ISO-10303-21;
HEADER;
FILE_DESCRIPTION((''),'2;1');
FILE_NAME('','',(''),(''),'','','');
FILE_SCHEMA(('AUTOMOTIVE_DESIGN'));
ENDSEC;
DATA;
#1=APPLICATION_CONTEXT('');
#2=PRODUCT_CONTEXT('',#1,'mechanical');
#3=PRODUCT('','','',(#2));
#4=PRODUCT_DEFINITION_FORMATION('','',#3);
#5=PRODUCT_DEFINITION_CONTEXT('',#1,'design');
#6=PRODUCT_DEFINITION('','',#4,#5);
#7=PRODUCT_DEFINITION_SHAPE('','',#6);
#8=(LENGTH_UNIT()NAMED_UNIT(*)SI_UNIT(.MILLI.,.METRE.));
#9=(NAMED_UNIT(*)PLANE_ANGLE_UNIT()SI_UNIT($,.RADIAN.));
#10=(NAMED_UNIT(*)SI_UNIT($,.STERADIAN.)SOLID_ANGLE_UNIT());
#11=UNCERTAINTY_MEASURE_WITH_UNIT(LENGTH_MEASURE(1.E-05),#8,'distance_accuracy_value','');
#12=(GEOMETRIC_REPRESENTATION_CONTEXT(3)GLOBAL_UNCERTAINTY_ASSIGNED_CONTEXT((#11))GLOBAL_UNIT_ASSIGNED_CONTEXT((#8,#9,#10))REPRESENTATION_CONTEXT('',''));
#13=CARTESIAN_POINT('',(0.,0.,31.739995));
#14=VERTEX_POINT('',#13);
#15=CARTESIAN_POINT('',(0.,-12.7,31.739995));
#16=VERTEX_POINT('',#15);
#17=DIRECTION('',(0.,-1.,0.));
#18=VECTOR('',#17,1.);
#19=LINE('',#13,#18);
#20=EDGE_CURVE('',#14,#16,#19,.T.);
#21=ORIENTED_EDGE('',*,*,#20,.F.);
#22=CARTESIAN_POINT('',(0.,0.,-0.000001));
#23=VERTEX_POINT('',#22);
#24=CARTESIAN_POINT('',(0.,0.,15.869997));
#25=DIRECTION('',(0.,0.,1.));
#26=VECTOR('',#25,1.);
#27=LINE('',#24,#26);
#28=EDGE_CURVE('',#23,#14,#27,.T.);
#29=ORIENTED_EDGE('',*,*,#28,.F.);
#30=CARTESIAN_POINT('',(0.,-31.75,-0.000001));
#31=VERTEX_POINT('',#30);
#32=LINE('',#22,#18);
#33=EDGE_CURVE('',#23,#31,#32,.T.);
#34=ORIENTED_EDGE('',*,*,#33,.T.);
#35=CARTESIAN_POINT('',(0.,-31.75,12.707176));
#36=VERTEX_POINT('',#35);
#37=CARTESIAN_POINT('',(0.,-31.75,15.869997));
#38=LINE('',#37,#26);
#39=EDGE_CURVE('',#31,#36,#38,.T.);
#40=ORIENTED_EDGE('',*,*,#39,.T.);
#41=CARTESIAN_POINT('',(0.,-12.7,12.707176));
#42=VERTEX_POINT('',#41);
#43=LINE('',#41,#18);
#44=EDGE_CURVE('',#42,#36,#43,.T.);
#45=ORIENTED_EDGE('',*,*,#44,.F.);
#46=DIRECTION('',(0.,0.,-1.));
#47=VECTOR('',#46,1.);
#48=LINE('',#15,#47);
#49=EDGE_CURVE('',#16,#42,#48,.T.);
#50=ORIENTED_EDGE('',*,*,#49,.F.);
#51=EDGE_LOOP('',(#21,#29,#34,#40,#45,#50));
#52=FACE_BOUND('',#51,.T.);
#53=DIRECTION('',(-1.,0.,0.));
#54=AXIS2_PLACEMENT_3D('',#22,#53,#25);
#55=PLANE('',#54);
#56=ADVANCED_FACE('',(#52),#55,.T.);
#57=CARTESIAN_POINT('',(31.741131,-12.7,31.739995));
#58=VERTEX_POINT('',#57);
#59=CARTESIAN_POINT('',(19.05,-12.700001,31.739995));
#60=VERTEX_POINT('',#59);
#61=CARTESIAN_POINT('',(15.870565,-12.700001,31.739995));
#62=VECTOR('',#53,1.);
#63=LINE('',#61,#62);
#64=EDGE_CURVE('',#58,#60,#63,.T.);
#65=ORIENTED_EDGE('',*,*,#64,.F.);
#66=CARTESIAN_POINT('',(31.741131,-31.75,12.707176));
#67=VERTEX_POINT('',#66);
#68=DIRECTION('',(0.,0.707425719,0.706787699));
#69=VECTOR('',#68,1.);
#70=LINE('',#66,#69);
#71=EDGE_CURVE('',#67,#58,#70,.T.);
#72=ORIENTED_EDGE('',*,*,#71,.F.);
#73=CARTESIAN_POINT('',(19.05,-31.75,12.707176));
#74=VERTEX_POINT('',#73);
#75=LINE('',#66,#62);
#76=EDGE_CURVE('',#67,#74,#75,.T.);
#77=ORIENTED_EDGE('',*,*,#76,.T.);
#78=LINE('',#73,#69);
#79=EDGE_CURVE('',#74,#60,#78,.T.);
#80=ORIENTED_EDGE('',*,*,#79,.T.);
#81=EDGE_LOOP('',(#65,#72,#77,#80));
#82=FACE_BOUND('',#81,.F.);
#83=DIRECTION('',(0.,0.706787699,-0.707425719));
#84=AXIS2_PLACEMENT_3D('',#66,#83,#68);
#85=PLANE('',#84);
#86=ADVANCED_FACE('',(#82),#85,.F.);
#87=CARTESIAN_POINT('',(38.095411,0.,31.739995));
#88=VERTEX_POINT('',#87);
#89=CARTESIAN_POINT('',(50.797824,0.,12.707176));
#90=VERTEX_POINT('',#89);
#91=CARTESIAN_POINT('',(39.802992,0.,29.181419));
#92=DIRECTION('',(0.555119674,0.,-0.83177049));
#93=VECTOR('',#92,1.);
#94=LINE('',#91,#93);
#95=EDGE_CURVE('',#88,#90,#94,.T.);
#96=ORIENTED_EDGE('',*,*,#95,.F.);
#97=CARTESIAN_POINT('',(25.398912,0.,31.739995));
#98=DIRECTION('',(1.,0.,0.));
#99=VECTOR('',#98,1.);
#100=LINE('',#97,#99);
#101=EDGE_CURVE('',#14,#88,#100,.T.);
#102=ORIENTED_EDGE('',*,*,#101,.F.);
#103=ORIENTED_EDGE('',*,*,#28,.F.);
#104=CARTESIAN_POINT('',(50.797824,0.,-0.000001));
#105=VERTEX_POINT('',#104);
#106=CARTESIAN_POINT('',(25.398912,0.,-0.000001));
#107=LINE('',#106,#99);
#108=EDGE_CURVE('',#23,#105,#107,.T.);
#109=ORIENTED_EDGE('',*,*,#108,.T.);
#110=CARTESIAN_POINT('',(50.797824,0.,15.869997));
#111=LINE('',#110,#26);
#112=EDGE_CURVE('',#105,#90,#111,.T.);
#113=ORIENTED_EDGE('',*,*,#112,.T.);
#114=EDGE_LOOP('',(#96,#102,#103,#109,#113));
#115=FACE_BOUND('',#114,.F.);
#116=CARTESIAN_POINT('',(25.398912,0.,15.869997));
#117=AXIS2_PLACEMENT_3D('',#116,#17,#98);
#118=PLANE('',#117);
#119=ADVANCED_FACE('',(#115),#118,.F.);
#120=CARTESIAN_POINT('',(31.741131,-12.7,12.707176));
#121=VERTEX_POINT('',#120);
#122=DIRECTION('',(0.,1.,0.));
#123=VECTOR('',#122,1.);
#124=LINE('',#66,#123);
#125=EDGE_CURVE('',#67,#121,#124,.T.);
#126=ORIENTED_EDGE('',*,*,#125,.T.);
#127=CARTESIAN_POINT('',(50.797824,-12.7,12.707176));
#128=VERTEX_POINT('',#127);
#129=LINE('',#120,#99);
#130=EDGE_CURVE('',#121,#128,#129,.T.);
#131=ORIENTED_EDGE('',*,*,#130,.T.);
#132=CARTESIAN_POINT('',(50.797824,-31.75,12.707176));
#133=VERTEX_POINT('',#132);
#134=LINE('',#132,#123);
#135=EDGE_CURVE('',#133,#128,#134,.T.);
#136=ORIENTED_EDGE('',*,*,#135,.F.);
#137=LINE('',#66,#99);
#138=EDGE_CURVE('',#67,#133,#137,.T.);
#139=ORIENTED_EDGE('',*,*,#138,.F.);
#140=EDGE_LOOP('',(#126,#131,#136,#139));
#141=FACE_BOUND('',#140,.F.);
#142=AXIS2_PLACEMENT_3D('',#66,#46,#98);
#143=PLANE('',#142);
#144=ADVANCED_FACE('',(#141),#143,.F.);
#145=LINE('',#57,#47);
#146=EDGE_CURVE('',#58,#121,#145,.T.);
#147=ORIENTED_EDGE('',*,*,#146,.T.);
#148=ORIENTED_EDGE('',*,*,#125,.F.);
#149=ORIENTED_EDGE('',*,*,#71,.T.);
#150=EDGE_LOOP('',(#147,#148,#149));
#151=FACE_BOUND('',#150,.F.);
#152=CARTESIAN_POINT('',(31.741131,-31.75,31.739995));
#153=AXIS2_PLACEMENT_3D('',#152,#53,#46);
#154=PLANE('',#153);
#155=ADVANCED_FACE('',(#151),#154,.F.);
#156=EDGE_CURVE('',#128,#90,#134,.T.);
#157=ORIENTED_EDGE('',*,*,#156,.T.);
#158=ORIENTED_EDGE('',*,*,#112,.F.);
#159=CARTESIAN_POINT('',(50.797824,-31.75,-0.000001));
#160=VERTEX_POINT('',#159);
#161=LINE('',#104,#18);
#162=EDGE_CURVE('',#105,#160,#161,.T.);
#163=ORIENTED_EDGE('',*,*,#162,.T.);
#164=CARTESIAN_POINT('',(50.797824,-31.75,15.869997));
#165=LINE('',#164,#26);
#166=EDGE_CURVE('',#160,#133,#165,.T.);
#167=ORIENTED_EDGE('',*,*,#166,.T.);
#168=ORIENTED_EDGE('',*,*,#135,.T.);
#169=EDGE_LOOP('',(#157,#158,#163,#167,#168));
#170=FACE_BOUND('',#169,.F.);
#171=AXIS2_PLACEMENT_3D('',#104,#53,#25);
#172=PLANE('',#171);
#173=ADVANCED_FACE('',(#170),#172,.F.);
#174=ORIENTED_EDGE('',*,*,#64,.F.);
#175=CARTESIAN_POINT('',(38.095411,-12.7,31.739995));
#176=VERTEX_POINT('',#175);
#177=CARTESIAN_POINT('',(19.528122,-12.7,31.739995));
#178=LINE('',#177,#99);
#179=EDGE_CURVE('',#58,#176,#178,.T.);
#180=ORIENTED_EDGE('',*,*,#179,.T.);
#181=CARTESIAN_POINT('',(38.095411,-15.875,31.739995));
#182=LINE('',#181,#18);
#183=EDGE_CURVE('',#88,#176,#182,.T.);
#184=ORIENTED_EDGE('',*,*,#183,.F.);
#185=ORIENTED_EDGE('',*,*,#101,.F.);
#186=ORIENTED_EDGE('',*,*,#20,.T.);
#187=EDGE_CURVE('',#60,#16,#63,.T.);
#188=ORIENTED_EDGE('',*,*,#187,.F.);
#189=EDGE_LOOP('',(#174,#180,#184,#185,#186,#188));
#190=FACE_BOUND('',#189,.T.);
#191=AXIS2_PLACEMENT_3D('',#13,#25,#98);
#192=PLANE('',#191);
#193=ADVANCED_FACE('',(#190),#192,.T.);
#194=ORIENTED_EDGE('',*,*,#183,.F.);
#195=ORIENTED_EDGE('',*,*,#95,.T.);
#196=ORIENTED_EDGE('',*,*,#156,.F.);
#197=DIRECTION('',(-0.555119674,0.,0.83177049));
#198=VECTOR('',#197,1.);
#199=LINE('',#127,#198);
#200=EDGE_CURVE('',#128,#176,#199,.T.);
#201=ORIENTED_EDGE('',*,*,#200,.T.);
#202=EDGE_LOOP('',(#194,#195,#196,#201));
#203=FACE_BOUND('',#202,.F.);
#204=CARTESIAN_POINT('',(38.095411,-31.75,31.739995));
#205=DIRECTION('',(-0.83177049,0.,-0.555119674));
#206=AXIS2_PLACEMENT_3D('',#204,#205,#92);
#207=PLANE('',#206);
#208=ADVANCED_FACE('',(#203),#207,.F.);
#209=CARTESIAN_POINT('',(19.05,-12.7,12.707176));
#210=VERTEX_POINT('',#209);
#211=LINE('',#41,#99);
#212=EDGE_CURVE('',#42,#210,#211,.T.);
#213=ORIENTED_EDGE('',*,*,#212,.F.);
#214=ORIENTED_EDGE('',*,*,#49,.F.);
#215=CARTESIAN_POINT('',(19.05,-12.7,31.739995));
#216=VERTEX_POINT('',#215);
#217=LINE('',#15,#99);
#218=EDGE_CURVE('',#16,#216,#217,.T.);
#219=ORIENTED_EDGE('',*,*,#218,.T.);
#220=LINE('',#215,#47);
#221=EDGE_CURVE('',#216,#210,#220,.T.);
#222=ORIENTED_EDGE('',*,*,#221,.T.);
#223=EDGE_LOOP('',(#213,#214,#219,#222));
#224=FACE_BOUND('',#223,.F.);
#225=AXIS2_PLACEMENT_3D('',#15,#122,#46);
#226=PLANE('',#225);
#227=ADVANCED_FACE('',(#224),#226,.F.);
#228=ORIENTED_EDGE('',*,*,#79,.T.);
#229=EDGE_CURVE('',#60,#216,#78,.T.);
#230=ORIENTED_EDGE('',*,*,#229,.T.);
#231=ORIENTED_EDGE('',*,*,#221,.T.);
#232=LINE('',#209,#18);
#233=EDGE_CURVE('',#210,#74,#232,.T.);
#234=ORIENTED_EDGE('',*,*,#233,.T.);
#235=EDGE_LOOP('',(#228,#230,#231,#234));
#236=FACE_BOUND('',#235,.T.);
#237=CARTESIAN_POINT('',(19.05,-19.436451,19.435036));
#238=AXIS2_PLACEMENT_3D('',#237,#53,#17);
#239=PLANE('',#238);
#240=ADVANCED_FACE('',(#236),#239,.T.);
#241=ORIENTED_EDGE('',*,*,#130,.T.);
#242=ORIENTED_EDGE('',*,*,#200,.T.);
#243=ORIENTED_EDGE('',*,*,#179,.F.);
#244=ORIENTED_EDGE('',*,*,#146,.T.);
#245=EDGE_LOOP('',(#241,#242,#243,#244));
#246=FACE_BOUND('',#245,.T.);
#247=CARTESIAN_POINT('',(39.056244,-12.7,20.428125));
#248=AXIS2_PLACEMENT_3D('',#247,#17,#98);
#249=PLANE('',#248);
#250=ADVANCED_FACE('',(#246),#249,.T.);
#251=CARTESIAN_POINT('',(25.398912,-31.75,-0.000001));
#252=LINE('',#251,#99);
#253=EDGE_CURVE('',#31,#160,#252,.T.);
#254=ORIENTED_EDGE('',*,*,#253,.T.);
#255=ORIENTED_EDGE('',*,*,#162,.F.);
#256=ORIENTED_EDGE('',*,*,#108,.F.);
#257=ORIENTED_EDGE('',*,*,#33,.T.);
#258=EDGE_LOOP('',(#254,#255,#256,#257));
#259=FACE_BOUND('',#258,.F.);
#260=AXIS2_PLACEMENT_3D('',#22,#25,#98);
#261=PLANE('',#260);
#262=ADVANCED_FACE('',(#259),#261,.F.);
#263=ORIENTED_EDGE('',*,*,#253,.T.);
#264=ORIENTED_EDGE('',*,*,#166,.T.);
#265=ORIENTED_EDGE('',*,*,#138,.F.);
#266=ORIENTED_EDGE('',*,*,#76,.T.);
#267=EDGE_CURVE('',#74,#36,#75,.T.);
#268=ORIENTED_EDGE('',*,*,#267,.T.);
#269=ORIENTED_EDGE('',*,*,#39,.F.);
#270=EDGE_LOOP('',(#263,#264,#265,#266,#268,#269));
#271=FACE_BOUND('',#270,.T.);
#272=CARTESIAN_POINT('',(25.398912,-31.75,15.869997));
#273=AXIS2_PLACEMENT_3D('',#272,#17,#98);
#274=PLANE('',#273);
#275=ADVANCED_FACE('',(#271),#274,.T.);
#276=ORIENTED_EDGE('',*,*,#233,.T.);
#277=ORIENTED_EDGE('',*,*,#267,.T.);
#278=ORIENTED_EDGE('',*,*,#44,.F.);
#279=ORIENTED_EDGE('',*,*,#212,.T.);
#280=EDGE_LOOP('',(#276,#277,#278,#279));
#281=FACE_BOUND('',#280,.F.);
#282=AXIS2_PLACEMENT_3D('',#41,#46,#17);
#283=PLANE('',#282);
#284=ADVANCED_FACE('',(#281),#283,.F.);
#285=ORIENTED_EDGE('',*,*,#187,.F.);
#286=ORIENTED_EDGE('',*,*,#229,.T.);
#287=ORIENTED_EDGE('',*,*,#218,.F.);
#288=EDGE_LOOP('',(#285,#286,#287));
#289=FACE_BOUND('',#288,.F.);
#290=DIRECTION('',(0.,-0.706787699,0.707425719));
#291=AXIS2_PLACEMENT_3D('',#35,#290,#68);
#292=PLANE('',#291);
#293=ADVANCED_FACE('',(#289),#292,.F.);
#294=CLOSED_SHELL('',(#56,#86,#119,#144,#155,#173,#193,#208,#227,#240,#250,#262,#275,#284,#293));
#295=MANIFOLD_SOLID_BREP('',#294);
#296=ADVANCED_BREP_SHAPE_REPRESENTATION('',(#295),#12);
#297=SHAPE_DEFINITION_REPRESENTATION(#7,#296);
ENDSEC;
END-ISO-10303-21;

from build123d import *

# Parameters (mm, degrees)
F0_W     = 50.797824
F0_H     = 31.739995
F1_DEPTH = 31.75
F3_DEPTH = 31.751
F5_DEPTH = 19.05
F7_DEPTH = 31.742131
F9_DEPTH = 19.05


with BuildPart() as f1:
    # F0 (on Front) → F1 (new body)
    with BuildSketch(Plane.XZ):
        with Locations((25.398912, 15.869997)):
            Rectangle(F0_W, F0_H)
    extrude(amount=F1_DEPTH)

    # F2 (on face) → F3 (cut, through all)
    with BuildSketch(Plane.XZ.offset(31.75)):
        Polygon((50.797824, 31.739995), (38.095411, 31.739995), (50.797824, 12.707176), align=None)
    extrude(amount=-F3_DEPTH, mode=Mode.SUBTRACT)

    # F4 (on face) → F5 (cut)
    with BuildSketch(Plane.XZ.offset(31.75)):
        Polygon((31.741131, 12.707176), (50.797824, 12.707176), (38.095411, 31.739995), (31.741131, 31.739995), align=None)
    extrude(amount=-F5_DEPTH, mode=Mode.SUBTRACT)

    # F6 (on face) → F7 (cut, through all)
    with BuildSketch(Plane.YZ.offset(31.741131)):
        Polygon((-31.75, 12.707176), (-12.7, 31.739995), (-31.75, 31.739995), align=None)
    extrude(amount=-F7_DEPTH, mode=Mode.SUBTRACT)

    # F8 (on face) → F9 (cut)
    with BuildSketch(Plane(origin=(0, 0, 0), x_dir=(0, -1, 0), z_dir=(-1, 0, 0))):
        Polygon((12.7, 12.707176), (31.75, 12.707176), (12.7, 31.739995), align=None)
    extrude(amount=-F9_DEPTH, mode=Mode.SUBTRACT)


solid = f1.part
